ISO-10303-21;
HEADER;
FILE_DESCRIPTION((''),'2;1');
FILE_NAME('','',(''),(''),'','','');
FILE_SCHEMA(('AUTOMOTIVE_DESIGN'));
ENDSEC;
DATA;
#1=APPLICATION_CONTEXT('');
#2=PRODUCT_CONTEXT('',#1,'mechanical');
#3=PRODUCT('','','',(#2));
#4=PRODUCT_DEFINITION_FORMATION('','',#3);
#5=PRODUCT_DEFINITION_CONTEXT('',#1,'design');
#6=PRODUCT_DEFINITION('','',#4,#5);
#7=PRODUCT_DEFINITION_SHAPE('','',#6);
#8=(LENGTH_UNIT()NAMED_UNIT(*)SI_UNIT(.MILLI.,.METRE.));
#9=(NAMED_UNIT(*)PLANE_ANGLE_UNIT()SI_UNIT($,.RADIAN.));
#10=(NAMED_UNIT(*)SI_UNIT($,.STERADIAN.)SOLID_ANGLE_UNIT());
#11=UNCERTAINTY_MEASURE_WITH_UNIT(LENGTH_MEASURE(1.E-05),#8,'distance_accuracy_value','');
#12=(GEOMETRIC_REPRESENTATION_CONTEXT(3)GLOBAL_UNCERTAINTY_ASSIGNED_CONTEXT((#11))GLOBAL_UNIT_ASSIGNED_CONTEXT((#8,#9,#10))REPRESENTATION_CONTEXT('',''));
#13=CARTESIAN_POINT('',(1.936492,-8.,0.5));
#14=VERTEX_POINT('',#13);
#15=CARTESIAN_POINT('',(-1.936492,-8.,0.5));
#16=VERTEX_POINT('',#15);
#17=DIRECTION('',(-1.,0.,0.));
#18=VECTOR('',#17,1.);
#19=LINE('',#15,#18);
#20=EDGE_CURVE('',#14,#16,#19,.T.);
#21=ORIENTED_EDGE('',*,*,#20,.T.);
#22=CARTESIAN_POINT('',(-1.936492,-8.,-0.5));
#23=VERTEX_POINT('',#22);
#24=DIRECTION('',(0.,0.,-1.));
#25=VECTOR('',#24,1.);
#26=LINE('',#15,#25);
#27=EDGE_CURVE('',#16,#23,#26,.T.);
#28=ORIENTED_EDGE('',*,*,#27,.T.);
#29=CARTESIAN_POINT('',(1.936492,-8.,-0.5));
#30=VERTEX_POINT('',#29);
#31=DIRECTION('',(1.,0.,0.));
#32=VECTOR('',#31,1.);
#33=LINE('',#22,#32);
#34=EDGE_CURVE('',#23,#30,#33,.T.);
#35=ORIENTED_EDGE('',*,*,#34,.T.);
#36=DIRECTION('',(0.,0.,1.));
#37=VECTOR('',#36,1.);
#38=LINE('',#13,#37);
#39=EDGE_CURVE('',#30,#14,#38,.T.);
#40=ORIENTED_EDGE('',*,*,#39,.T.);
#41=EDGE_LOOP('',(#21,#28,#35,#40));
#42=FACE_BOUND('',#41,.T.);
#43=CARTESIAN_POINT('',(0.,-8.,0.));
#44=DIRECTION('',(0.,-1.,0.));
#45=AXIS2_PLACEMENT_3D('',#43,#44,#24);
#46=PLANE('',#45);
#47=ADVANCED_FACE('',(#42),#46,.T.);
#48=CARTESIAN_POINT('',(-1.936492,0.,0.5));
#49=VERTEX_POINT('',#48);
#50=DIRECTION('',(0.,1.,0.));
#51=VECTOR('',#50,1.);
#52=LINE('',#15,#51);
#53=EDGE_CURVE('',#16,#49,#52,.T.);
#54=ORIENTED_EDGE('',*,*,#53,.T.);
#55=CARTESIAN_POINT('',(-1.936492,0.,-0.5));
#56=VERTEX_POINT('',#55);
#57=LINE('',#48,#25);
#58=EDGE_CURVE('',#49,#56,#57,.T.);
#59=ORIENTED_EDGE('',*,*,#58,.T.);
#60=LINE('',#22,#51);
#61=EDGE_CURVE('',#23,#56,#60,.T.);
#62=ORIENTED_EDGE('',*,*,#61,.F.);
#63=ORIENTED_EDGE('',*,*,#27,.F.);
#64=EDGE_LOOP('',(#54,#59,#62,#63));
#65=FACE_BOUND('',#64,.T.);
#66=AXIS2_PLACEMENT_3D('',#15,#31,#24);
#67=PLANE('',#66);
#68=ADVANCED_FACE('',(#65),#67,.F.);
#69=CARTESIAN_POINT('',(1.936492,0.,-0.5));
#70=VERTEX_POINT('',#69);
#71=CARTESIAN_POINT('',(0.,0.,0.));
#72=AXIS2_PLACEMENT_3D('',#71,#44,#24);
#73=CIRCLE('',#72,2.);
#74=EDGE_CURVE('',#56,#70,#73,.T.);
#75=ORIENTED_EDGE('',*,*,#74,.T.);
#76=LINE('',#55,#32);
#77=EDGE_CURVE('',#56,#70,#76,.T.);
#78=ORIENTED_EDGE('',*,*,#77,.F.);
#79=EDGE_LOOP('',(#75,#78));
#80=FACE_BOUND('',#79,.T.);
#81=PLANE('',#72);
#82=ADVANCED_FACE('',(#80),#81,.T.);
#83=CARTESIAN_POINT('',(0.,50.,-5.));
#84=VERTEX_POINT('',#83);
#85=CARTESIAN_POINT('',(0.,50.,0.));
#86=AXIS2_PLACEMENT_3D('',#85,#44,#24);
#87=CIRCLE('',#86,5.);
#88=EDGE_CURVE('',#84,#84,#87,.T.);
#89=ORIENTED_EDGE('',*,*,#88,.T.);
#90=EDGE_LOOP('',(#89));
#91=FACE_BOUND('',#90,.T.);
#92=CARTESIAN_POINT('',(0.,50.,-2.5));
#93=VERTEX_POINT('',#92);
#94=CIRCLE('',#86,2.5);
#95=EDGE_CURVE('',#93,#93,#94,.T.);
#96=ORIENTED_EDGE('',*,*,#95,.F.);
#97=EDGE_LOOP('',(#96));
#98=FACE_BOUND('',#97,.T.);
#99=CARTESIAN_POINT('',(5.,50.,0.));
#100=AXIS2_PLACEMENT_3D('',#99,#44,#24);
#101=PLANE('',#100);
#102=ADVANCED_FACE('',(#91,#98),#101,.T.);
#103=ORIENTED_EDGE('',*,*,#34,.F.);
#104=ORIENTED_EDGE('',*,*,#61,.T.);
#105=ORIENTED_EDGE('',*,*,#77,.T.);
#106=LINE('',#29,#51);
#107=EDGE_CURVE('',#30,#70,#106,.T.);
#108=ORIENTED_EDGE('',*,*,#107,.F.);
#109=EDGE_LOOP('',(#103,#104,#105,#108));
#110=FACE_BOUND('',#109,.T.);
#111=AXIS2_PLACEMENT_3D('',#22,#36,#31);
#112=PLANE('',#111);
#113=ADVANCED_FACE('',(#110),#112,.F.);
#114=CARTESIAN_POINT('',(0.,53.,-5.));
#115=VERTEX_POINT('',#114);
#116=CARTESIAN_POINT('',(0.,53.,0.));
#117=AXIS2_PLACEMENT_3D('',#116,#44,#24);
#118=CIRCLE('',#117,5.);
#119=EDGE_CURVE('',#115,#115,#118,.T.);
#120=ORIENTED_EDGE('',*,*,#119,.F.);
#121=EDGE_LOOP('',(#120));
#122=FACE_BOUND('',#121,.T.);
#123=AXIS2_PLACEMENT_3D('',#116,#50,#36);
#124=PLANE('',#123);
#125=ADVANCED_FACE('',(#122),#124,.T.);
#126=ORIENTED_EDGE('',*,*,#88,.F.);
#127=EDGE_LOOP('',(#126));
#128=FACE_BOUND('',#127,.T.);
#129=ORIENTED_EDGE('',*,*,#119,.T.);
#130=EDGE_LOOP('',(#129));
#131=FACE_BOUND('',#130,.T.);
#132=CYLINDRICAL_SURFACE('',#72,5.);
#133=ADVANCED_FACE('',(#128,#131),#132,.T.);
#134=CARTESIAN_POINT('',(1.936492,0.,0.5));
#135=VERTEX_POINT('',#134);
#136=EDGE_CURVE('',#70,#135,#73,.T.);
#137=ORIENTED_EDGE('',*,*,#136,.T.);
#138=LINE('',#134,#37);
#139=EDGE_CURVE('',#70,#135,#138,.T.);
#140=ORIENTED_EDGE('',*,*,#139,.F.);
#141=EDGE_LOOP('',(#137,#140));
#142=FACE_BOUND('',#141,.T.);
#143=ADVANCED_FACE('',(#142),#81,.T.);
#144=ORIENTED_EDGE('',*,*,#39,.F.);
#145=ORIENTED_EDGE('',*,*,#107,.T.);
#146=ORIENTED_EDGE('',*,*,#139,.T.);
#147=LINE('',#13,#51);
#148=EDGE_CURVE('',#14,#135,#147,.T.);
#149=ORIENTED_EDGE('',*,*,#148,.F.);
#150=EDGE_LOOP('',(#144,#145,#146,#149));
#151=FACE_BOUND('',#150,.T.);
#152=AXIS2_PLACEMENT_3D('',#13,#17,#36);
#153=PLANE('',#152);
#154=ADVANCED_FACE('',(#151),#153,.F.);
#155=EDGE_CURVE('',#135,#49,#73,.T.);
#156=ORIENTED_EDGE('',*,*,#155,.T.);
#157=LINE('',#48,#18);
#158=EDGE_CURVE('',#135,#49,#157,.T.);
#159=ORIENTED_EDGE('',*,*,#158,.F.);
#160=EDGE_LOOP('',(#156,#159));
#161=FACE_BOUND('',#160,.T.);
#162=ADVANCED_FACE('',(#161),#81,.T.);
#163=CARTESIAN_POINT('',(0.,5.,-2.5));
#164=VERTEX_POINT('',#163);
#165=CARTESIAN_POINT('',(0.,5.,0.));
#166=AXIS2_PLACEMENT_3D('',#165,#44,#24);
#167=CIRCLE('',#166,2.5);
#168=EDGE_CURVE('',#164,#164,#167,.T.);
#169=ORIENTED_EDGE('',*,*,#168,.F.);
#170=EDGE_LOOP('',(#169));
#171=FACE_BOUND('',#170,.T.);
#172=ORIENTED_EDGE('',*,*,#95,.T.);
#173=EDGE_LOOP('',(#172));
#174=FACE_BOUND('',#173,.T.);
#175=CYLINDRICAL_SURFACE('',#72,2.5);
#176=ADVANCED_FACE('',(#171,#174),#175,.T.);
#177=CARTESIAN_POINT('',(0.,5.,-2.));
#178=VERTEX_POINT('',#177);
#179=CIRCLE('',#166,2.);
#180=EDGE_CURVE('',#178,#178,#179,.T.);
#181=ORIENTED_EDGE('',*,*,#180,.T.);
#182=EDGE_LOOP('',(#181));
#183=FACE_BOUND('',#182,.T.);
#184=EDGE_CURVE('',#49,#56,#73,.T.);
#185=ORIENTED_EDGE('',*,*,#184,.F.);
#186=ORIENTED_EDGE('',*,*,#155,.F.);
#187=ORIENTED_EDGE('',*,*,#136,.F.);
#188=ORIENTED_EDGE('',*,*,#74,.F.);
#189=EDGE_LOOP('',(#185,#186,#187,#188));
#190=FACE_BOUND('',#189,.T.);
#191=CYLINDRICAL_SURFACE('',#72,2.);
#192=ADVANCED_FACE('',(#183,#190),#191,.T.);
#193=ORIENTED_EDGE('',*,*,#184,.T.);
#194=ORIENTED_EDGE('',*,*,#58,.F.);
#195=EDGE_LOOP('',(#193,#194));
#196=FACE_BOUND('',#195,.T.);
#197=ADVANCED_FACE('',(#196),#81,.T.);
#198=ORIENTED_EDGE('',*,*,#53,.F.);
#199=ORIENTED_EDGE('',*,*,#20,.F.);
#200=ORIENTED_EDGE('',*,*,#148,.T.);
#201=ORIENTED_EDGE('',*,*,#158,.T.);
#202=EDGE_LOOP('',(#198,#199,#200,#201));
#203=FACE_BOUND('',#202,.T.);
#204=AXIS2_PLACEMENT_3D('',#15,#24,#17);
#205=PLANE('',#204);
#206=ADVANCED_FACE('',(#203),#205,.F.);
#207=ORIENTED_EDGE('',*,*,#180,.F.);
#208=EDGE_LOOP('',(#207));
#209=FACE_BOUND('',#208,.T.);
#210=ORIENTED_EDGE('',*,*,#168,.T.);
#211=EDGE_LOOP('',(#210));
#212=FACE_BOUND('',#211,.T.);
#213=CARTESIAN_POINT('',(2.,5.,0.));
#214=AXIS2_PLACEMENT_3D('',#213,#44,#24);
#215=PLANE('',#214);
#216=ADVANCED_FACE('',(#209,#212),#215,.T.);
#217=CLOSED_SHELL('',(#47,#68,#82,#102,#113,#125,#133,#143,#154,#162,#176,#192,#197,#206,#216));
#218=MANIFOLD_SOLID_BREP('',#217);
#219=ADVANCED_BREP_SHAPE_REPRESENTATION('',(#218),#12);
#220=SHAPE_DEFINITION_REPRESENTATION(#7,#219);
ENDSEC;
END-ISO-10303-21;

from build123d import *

# Parameters (mm, degrees)
SKETCH4_W           = 3.872983346
SKETCH4_H           = 1
BOSS_EXTRUDE1_DEPTH = 8


with BuildPart() as part:
    # Sketch2 → Revolve1 (revolve)
    with BuildSketch(Plane.XY, mode=Mode.PRIVATE) as revolve1_sk:
        Polygon((0, 0), (0, 50), (0, 53), (5, 53), (5, 50), (2.5, 50), (2.5, 5), (2, 5), (2, 0), align=None)
    revolve(revolve1_sk.sketch.rotate(Axis((0, 0, 0), (0, 1, 0)), 90), axis=Axis((0, 0, 0), (0, 1, 0)))

    # Sketch4 → Boss-Extrude1 (add)
    with BuildSketch(Plane.XZ):
        Rectangle(SKETCH4_W, SKETCH4_H)
    extrude(amount=BOSS_EXTRUDE1_DEPTH)


solid = part.part
